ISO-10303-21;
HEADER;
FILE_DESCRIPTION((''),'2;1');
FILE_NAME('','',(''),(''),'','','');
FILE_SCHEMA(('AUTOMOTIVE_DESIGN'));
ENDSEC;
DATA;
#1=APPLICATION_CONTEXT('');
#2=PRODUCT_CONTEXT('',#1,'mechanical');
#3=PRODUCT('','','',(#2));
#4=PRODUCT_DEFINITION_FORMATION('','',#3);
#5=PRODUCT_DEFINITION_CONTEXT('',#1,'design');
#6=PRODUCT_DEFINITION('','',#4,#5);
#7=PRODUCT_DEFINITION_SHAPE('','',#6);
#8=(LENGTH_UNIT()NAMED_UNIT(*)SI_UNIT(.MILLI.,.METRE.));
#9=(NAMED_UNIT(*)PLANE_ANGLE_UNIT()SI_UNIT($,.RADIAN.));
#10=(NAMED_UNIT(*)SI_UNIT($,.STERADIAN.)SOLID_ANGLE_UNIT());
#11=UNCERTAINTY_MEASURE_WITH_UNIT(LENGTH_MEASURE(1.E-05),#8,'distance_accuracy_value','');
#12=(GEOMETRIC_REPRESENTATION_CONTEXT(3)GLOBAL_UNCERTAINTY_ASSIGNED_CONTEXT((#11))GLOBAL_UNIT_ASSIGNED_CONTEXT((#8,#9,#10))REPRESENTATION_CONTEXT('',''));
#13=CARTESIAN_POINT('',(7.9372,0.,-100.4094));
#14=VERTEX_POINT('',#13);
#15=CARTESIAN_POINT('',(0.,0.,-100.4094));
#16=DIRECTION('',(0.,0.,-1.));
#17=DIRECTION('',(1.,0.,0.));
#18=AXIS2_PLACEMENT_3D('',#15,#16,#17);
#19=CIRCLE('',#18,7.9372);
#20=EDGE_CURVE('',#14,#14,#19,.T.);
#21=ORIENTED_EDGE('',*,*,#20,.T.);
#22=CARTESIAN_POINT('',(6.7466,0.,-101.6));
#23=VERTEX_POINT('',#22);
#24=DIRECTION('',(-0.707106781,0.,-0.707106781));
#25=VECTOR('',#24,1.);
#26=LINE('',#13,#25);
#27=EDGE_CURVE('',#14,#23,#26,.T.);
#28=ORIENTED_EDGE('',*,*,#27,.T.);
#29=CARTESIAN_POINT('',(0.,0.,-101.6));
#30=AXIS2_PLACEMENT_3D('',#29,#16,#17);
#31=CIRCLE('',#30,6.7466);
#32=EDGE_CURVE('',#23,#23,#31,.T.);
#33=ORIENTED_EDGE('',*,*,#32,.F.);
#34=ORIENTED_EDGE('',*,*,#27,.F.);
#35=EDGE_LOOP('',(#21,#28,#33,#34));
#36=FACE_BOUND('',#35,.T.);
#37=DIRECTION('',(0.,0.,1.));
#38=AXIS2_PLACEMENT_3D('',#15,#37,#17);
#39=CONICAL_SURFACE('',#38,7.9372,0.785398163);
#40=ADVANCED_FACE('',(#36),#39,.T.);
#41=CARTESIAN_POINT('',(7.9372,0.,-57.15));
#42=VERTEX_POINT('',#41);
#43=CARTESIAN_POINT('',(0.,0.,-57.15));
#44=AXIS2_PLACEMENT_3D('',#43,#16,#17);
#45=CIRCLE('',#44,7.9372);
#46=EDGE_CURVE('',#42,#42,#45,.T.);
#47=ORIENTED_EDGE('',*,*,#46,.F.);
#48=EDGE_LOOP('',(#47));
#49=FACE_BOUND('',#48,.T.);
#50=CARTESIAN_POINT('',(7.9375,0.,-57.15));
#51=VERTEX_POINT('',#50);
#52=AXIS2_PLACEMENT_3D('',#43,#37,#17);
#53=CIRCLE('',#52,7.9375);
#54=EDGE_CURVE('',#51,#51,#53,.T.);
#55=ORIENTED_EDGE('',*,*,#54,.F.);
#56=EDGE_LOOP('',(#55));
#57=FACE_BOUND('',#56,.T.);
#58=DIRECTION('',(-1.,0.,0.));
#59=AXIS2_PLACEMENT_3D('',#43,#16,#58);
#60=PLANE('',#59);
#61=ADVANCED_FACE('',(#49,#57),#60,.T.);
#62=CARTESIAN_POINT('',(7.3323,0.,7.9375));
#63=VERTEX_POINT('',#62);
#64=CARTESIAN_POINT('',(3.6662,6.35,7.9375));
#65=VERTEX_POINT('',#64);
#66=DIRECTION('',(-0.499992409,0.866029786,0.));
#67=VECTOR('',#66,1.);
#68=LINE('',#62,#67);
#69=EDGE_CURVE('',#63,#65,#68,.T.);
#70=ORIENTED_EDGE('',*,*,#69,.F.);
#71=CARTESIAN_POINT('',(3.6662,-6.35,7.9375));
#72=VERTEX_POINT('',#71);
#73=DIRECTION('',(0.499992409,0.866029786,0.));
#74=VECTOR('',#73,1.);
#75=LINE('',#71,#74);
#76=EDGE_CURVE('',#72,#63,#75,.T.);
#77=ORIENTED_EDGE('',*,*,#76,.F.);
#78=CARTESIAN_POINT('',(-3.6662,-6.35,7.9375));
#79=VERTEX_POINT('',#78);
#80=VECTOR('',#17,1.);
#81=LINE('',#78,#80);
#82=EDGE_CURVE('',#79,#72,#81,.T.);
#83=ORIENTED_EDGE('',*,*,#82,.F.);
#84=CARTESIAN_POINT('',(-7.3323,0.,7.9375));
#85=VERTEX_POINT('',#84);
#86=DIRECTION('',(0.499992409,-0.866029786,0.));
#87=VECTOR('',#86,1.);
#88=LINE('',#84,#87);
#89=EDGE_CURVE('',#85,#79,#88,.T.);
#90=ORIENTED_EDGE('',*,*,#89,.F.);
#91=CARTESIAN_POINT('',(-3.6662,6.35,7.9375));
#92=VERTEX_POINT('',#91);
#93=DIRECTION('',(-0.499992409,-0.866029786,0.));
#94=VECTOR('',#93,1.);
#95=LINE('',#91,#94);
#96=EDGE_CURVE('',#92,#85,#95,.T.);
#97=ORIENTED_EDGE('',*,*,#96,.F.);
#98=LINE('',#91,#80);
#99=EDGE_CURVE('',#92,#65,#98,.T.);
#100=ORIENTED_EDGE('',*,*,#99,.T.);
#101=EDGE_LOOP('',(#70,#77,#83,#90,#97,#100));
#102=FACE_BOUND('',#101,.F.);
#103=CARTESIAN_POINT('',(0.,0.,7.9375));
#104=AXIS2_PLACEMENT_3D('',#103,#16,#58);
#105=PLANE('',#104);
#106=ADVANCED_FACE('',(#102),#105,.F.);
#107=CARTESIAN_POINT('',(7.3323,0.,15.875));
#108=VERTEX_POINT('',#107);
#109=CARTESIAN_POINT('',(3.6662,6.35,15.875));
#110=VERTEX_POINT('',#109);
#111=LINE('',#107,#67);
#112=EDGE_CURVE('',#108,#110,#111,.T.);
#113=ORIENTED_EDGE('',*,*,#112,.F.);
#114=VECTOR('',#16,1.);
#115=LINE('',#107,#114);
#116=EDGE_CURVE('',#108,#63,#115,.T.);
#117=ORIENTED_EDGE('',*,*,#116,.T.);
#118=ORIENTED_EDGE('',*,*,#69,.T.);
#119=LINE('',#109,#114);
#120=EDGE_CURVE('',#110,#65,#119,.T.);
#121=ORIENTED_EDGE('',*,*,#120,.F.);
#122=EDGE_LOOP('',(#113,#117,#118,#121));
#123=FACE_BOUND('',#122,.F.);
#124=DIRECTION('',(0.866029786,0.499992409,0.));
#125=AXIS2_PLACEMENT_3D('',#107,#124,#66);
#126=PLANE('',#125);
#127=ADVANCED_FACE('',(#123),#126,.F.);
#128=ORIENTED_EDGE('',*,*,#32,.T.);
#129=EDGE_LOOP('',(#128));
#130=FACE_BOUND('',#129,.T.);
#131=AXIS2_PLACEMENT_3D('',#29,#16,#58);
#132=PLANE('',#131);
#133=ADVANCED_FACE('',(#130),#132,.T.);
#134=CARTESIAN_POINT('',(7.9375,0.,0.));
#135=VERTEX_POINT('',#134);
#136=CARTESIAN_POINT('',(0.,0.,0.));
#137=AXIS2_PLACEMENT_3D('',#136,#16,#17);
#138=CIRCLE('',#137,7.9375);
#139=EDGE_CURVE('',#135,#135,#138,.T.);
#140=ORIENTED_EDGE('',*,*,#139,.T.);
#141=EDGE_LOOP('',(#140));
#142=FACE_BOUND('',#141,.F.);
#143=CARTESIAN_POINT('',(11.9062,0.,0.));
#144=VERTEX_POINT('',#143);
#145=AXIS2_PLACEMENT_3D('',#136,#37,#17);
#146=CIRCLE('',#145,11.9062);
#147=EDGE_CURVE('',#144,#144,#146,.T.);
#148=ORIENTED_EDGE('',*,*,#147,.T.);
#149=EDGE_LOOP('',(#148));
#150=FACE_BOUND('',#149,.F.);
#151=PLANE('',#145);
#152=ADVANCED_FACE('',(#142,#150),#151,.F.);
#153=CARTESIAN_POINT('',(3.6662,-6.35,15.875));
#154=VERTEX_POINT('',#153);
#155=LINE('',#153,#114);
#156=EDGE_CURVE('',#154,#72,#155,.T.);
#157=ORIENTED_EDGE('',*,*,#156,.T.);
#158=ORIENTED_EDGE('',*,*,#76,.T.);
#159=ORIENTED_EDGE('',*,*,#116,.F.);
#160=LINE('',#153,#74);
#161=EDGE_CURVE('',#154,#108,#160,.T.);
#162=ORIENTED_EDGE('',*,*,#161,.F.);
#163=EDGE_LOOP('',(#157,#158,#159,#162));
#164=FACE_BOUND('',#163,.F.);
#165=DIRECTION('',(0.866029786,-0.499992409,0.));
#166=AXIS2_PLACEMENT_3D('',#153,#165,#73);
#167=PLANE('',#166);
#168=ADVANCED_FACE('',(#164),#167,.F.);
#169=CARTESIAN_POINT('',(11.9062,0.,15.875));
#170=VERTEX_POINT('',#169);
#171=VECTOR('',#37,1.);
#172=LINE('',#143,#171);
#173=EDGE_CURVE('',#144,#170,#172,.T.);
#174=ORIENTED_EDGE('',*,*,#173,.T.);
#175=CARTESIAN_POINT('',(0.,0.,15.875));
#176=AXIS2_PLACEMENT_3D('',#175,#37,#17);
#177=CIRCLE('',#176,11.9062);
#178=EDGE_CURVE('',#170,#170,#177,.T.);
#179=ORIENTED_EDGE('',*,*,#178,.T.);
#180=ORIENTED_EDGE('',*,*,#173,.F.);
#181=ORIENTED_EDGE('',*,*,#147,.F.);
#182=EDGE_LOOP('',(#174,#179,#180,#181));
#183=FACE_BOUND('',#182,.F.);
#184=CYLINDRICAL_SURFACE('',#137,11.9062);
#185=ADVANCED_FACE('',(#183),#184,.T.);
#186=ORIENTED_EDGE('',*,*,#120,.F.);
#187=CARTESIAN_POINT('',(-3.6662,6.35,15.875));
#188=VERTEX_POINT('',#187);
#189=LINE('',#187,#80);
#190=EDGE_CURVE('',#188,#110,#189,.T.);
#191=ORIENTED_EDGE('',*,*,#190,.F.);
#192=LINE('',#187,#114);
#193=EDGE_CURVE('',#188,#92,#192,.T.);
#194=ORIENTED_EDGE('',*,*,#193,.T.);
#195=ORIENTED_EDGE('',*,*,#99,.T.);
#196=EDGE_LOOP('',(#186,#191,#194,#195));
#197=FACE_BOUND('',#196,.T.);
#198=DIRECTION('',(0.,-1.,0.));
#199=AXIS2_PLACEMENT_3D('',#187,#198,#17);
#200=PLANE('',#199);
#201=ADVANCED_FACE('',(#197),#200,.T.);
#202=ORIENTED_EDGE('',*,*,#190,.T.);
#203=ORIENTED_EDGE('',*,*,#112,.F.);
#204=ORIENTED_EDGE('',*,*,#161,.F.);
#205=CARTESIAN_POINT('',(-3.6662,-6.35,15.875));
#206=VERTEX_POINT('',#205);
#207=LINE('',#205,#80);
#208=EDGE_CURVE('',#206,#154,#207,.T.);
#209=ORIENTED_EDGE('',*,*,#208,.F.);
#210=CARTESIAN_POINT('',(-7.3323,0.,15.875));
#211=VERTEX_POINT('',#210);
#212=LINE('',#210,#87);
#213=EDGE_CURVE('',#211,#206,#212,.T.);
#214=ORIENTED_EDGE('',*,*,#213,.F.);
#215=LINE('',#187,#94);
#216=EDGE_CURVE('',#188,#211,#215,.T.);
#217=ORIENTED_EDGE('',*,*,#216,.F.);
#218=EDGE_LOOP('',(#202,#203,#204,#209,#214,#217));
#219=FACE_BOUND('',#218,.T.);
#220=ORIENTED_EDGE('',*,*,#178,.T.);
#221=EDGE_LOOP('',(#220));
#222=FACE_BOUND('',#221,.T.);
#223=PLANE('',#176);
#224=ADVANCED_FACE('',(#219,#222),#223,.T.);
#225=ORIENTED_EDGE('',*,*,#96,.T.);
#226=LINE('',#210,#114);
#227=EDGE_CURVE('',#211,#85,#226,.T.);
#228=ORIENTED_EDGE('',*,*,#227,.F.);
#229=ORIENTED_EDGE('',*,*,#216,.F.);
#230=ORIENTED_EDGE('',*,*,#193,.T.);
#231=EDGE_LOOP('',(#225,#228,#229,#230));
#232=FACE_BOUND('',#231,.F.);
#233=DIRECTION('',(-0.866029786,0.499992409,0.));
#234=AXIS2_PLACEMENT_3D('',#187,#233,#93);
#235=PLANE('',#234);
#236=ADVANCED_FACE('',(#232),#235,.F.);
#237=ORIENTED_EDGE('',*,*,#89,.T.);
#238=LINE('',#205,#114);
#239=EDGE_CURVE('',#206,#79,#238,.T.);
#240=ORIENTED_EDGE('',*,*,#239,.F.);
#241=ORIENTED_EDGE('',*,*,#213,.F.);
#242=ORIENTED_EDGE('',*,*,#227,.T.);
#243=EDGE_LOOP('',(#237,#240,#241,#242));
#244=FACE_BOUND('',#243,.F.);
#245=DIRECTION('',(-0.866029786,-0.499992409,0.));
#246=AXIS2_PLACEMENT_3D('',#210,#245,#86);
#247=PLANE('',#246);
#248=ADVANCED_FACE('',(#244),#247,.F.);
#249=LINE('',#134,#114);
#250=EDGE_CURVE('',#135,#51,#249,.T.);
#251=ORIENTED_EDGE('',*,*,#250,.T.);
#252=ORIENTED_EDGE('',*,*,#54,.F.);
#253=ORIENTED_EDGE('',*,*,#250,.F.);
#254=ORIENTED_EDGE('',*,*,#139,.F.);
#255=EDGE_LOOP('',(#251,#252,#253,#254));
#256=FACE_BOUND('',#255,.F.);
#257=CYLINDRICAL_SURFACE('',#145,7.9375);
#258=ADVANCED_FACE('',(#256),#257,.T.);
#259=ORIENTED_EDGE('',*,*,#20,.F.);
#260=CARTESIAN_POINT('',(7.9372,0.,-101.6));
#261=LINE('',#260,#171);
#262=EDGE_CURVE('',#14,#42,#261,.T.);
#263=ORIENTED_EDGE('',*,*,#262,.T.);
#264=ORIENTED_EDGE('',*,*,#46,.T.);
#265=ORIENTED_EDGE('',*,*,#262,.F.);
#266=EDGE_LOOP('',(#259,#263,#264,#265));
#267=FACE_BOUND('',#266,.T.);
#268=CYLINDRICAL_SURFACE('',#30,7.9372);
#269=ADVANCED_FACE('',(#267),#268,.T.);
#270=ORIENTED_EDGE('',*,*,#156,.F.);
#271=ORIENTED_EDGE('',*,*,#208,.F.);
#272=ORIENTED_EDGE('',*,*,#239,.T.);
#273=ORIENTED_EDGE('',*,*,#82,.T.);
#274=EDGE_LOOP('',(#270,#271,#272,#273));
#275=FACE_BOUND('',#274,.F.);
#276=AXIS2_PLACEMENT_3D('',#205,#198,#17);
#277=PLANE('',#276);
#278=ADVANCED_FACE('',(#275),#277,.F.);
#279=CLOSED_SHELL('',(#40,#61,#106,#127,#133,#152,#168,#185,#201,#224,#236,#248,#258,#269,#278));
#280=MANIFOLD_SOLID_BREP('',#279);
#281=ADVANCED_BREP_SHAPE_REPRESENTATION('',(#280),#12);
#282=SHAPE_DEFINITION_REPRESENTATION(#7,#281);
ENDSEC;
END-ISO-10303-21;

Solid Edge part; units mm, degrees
sketch "Sketch1" plane through (0, 0, 0) normal (0, 0, 1) x (1, 0, 0)
  circle A0 centre (0, 0) radius 11.9062
  dimension "D1" = 23.8125
extrude "Protrusion1" add sketch "Sketch1" along normal blind 15.875
sketch "Sketch2" plane through (0, 0, 0) normal (0, 0, -1) x (1, 0, 0)
  circle A0 centre (0, 0) radius 7.9375
extrude "Protrusion2" add sketch "Sketch2" along normal blind 101.6
sketch "Sketch3" plane through (0, 0, -101.6) normal (0, 0, -1) x (1, 0, 0)
  circle A0 centre (0, 0) radius 7.9372
extrude "Cutout1" cut sketch "Sketch3" against normal blind 44.45 flip side to cut
chamfer "Chamfer_1" distance 1.1906 angle 45 1 edges at (-7.9372, 0, -101.6)
sketch "Sketch4" plane through (0, 0, 15.875) normal (0, 0, 1) x (1, 0, 0)
  line L0 (-3.6662, 6.35) -> (3.6662, 6.35)
  line L1 (7.3323, 0) -> (3.6662, 6.35)
  line L2 (3.6662, -6.35) -> (7.3323, 0)
  line L3 (-3.6662, -6.35) -> (3.6662, -6.35)
  line L4 (-7.3323, 0) -> (-3.6662, -6.35)
  line L5 (-3.6662, 6.35) -> (-7.3323, 0)
  dimension "D1" = 12.7
extrude "Cutout2" cut sketch "Sketch4" against normal blind 7.9375
properties part number "147499"
